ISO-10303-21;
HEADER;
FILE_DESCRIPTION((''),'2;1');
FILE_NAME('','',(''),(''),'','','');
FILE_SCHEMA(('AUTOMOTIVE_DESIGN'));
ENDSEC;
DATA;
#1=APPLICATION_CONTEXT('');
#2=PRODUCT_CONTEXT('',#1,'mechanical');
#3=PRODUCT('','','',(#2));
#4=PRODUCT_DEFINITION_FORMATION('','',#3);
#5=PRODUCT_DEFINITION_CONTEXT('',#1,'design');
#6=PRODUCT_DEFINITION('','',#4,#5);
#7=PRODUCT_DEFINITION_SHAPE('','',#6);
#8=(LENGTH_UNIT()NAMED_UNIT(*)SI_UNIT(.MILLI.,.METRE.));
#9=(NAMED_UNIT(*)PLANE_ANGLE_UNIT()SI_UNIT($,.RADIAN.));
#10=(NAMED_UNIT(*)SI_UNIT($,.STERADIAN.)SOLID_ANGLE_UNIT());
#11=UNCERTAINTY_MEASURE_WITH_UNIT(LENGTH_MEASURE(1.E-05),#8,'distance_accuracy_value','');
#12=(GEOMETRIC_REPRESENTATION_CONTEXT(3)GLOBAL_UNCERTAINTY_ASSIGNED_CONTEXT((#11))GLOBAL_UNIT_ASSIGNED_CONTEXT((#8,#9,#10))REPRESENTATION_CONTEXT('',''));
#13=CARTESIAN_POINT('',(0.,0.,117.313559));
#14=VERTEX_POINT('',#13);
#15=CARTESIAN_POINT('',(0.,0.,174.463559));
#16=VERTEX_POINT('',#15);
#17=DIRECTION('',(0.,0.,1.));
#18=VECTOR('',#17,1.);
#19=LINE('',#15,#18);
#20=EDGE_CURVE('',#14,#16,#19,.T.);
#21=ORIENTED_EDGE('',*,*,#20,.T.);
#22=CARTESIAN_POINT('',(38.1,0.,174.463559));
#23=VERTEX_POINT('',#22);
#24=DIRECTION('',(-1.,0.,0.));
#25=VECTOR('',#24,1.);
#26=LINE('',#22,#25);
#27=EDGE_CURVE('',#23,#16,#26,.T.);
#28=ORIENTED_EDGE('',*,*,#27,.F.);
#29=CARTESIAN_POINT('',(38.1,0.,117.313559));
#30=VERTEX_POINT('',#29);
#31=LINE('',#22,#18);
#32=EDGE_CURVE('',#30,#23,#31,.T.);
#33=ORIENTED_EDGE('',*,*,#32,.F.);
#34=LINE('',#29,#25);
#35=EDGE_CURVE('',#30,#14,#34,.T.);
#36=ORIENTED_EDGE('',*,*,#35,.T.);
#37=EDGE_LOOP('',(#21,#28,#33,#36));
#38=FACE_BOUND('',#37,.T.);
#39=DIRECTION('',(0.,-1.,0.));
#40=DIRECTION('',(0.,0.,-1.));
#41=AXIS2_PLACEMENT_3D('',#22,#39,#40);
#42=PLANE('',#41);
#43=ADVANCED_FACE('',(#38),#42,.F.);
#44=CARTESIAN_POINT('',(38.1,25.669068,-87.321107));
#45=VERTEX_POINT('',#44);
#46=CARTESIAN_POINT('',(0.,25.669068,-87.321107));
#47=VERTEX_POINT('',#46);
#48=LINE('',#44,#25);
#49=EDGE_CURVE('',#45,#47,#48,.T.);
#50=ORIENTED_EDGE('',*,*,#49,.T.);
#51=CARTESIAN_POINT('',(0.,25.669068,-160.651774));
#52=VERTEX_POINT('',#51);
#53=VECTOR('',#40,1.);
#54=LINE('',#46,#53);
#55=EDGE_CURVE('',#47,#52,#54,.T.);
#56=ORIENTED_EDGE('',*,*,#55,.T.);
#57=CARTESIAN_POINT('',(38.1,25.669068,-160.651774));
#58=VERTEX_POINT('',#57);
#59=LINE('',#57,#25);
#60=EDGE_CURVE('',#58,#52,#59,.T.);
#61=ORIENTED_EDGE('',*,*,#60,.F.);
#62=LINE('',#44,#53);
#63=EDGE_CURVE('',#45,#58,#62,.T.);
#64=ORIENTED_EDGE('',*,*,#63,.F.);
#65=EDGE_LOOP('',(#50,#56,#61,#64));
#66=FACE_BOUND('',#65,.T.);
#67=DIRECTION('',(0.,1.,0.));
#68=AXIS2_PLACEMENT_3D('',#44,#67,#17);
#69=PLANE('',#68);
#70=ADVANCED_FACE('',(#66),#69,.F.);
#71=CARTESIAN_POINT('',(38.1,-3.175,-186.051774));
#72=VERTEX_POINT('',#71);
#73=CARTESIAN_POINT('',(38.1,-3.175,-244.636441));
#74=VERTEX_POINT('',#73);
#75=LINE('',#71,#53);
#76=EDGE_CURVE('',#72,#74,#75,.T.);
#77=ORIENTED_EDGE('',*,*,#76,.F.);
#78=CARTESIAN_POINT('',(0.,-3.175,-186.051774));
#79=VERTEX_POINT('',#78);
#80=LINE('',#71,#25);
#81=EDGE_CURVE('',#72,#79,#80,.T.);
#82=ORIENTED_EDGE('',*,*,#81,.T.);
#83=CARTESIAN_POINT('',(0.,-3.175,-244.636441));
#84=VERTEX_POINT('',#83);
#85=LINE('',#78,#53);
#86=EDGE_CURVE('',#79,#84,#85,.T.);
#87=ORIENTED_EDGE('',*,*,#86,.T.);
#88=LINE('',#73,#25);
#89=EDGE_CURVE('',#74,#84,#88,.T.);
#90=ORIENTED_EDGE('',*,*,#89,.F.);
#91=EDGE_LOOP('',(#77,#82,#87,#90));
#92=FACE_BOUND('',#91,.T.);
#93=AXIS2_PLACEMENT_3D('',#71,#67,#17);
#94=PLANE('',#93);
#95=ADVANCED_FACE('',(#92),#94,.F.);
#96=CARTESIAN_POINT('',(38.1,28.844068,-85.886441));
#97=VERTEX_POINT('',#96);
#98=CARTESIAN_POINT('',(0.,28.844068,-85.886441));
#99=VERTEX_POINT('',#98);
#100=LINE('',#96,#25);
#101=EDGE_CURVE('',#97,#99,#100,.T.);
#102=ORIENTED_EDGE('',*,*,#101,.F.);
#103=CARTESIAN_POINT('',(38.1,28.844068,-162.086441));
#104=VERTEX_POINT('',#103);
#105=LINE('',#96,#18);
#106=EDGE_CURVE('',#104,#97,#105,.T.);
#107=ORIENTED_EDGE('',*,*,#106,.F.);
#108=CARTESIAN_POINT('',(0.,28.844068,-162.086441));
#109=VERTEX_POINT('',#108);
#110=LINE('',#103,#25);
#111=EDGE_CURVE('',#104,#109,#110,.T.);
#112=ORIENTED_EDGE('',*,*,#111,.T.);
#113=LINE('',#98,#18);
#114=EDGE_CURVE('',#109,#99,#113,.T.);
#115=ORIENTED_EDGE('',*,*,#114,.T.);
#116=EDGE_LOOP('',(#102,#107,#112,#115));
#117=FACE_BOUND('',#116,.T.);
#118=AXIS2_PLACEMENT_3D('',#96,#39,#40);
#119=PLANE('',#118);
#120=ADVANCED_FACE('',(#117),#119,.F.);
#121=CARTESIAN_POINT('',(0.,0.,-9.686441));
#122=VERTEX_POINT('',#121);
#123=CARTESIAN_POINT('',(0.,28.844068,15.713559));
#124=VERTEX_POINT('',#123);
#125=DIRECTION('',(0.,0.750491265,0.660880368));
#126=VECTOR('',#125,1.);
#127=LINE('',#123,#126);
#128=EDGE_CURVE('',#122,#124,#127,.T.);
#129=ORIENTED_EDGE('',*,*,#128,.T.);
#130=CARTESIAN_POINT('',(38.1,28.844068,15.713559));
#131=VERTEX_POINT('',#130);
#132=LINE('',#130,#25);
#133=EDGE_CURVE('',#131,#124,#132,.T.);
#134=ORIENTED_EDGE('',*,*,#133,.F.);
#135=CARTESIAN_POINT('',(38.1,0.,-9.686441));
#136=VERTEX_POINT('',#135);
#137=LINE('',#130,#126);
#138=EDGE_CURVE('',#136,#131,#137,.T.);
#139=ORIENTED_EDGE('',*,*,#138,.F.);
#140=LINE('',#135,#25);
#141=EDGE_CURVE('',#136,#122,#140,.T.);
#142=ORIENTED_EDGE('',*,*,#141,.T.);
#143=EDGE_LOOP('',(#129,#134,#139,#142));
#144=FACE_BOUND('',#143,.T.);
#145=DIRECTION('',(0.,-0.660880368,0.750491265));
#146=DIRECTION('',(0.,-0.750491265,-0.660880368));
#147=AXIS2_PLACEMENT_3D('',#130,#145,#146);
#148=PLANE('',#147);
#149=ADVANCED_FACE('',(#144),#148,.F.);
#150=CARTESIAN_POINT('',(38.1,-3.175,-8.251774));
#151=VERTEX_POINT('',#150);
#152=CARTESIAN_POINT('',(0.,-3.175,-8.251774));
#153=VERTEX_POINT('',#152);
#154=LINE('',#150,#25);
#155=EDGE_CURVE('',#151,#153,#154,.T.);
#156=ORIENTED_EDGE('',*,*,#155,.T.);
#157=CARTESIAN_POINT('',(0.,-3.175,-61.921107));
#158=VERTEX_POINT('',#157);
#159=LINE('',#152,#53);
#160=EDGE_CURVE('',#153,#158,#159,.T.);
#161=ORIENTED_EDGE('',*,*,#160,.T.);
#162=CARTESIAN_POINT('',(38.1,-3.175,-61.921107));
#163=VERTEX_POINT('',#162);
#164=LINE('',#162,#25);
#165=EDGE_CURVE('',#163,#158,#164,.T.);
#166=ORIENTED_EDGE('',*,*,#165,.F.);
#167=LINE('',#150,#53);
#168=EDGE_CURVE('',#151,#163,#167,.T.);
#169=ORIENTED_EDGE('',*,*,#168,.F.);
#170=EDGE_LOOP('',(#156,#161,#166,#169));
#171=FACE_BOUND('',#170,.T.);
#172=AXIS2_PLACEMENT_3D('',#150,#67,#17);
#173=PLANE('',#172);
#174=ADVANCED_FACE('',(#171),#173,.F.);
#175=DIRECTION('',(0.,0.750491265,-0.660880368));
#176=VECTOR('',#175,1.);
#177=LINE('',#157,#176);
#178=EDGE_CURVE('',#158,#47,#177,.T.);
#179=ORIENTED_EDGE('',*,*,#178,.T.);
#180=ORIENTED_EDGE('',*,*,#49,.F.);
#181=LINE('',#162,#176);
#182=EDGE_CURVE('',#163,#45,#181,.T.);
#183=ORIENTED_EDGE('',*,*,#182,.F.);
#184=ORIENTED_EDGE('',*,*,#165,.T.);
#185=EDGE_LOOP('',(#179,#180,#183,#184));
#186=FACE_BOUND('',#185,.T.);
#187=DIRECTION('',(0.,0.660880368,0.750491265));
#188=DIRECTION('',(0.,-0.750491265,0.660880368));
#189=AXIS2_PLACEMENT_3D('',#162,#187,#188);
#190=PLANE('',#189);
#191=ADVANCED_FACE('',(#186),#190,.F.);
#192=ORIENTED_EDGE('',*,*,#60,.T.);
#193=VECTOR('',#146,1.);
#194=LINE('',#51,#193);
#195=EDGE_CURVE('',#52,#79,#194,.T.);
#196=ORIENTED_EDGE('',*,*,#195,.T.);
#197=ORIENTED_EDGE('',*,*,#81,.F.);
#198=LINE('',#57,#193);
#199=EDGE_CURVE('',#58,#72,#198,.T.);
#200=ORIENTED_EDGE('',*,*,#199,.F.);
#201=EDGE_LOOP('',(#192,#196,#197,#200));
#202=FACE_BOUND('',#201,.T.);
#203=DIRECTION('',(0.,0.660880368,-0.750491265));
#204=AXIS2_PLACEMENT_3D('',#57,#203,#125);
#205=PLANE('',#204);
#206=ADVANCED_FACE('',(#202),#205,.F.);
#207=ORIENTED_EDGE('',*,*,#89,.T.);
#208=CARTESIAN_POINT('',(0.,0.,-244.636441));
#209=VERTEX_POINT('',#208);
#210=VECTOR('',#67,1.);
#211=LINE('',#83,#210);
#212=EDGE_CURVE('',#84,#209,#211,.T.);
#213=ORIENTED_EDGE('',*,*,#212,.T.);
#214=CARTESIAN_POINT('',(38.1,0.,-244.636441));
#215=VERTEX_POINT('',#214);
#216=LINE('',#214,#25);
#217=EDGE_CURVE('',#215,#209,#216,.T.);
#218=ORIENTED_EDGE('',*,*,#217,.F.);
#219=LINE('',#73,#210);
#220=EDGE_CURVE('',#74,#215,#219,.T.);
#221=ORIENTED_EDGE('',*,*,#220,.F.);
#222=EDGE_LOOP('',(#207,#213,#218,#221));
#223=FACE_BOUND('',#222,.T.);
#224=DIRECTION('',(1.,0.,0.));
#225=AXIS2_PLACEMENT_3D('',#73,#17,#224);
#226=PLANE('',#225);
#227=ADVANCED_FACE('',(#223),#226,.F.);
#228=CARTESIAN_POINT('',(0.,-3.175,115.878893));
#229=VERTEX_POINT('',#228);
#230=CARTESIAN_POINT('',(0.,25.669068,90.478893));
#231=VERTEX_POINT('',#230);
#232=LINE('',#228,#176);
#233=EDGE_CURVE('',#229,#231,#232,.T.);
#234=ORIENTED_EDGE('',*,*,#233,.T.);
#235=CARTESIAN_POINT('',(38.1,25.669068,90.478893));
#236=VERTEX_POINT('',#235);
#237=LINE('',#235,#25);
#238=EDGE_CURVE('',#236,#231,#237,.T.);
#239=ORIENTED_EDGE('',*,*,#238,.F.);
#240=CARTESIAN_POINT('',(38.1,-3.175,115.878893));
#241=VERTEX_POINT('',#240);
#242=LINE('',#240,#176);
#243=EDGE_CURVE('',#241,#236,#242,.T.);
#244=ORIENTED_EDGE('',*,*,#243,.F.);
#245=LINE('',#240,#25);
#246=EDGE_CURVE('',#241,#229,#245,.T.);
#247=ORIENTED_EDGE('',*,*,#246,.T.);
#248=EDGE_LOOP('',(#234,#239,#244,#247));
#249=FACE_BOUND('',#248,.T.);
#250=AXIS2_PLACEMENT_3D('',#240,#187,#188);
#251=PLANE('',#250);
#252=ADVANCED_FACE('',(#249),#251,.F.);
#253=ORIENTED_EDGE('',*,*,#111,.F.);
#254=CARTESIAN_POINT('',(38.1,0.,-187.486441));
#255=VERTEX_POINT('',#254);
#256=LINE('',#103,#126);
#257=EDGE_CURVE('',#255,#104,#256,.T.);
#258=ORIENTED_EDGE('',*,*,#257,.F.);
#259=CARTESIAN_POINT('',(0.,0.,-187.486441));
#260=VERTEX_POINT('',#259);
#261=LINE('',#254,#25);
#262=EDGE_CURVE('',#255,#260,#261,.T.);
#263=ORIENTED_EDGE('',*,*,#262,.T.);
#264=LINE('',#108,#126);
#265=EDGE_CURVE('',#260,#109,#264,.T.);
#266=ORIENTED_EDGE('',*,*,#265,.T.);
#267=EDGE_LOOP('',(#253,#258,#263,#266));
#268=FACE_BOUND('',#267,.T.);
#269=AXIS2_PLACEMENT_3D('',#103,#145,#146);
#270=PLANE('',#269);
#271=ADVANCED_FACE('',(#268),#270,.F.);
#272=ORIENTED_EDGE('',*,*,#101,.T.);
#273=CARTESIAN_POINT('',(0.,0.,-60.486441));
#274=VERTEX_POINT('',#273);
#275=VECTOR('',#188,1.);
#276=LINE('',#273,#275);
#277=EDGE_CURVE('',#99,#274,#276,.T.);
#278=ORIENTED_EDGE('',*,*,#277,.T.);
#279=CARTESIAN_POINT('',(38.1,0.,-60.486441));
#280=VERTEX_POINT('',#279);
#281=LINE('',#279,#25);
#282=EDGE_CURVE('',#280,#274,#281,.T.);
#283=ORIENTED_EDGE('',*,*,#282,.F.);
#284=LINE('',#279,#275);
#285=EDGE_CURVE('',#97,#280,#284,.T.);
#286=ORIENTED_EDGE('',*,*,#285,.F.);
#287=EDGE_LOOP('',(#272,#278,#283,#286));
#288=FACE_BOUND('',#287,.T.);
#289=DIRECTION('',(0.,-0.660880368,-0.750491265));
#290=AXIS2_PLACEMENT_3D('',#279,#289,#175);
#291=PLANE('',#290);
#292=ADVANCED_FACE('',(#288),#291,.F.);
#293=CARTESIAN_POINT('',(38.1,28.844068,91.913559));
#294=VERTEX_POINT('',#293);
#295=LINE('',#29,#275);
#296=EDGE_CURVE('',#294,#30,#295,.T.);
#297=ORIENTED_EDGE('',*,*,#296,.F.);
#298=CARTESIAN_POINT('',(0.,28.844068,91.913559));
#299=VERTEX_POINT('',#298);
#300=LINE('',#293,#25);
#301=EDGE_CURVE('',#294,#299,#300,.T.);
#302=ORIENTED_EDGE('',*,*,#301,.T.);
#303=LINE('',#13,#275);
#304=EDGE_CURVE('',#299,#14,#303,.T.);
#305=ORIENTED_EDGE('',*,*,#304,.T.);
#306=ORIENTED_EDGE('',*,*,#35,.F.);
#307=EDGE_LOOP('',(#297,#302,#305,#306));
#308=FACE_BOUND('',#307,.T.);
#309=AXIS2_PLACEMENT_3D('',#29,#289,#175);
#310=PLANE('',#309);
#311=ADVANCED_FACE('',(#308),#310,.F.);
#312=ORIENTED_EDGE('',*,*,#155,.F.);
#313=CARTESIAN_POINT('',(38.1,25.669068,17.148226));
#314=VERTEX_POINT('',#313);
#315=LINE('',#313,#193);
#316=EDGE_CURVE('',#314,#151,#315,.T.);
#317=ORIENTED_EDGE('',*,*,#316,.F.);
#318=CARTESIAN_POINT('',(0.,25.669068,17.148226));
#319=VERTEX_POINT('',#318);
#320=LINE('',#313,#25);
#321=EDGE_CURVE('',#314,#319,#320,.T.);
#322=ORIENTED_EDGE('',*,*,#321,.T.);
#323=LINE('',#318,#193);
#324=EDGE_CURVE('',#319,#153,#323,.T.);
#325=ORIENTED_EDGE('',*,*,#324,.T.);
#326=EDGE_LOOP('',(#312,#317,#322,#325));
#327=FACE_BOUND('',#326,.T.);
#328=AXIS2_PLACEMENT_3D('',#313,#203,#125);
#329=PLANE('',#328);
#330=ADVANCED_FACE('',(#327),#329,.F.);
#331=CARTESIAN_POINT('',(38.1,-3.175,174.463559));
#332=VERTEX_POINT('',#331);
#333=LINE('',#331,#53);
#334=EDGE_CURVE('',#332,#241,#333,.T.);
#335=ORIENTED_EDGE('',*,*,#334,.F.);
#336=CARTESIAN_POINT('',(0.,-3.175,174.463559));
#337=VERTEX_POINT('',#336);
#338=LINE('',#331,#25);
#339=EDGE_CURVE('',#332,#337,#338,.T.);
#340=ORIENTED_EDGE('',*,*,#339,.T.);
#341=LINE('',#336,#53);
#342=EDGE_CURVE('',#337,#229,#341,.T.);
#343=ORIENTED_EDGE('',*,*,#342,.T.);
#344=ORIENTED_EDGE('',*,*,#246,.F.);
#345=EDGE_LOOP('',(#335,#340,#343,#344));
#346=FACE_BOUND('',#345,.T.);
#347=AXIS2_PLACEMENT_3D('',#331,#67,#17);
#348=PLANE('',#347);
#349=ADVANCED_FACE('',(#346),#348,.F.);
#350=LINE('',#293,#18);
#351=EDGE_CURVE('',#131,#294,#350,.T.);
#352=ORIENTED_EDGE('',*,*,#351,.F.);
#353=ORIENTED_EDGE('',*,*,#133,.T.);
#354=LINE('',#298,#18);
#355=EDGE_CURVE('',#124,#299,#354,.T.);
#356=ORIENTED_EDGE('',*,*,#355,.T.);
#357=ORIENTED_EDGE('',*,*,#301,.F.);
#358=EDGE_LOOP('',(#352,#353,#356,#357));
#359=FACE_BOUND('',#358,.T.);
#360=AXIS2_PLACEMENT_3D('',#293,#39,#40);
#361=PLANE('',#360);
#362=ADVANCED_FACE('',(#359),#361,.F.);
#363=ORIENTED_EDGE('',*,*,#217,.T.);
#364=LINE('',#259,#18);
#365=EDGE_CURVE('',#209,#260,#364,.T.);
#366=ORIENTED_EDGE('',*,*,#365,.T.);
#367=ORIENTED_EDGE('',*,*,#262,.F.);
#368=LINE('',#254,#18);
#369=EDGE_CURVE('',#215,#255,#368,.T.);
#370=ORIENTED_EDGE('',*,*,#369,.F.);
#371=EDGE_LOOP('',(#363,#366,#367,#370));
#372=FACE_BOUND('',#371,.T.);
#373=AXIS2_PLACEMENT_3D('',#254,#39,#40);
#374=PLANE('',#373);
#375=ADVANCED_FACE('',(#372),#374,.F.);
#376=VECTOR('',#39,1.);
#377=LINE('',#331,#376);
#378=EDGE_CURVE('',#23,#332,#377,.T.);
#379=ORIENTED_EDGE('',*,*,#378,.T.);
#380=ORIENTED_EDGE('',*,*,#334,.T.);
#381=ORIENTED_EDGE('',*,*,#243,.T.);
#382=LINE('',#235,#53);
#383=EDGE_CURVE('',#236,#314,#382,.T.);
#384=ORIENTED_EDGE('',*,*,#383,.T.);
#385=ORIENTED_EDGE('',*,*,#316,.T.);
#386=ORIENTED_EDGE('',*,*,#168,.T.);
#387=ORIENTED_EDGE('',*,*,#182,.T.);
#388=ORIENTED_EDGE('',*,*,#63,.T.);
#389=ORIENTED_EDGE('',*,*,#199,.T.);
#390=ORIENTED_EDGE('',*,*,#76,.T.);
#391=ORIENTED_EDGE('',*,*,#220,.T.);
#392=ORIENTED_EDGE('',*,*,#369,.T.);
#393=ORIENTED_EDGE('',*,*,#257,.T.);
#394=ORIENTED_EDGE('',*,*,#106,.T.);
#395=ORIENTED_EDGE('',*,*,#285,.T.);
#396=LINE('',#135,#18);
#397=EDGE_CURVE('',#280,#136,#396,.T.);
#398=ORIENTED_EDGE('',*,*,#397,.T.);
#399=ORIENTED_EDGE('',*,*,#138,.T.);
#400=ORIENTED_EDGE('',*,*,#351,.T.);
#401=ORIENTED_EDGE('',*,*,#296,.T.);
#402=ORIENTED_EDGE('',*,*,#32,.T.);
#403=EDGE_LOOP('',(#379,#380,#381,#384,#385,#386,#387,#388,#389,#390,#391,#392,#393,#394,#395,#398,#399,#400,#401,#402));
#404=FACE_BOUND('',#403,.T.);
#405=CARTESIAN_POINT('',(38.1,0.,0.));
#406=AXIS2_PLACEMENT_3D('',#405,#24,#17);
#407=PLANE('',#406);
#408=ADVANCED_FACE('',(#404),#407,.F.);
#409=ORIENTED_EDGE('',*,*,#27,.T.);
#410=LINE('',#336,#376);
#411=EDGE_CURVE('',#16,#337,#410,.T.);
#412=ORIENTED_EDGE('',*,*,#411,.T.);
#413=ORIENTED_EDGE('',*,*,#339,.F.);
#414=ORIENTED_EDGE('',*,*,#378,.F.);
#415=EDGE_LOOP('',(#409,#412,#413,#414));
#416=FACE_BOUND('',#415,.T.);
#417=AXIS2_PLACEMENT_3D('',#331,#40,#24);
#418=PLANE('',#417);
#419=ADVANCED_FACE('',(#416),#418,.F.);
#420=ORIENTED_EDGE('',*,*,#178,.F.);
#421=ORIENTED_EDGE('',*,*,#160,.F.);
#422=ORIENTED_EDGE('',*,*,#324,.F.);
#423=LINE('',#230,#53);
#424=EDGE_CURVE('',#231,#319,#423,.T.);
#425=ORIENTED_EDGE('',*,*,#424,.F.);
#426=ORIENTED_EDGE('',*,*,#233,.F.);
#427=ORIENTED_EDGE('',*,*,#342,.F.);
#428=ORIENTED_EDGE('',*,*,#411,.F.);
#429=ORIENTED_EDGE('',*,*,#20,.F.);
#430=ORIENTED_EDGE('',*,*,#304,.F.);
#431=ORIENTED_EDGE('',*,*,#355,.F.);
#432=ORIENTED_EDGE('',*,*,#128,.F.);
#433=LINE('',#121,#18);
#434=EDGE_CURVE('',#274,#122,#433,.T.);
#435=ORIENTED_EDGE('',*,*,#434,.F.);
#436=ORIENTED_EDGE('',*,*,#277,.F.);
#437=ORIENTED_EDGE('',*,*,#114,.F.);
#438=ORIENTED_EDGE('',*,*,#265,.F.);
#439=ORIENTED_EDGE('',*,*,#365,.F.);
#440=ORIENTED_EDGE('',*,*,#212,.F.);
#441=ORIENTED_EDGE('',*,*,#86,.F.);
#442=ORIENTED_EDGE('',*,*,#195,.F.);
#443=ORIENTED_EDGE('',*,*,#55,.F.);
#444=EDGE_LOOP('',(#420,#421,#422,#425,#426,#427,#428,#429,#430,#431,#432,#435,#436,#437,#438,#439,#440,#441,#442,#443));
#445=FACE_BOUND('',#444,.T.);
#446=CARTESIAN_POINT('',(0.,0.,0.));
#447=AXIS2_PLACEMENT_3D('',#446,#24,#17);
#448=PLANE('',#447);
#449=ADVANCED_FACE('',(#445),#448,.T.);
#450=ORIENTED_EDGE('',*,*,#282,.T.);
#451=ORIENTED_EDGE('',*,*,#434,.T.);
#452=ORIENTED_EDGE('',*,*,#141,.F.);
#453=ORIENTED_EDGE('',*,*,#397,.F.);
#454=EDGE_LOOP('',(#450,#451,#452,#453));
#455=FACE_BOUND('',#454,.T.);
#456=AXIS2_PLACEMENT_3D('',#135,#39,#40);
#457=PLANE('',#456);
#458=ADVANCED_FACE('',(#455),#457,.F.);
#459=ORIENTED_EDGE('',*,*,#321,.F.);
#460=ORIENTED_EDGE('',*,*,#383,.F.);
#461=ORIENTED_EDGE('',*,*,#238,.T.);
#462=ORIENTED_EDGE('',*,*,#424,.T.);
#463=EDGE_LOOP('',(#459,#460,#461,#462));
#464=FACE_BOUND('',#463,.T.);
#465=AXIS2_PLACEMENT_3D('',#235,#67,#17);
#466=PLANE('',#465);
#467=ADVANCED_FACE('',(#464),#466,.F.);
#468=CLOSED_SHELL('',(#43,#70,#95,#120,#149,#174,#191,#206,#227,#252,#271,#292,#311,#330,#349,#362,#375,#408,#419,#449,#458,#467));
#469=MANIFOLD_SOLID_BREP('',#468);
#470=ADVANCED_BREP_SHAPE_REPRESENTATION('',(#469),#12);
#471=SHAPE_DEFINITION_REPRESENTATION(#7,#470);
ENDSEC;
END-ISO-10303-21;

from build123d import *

# Parameters (mm, degrees)
BOSS_EXTRUDE1_DEPTH = 38.1


with BuildPart() as part:
    # Sketch1 → Boss-Extrude1 (new body)
    with BuildSketch(Plane(origin=(0, 0, 0), x_dir=(0, 0, -1), z_dir=(1, 0, 0))):
        Polygon((-174.463559322, 0), (-117.313559322, 0), (-91.913559322, 28.844067797), (-15.713559322, 28.844067797), (9.686440678, 0), (60.486440678, 0), (85.886440678, 28.844067797), (162.086440678, 28.844067797), (187.486440678, 0), (244.636440678, 0), (244.636440678, -3.175), (186.051773972, -3.175), (160.651773972, 25.669067797), (87.321107384, 25.669067797), (61.921107384, -3.175), (8.251773972, -3.175), (-17.148226028, 25.669067797), (-90.478892616, 25.669067797), (-115.878892616, -3.175), (-174.463559322, -3.175), align=None)
    extrude(amount=BOSS_EXTRUDE1_DEPTH)


solid = part.part
